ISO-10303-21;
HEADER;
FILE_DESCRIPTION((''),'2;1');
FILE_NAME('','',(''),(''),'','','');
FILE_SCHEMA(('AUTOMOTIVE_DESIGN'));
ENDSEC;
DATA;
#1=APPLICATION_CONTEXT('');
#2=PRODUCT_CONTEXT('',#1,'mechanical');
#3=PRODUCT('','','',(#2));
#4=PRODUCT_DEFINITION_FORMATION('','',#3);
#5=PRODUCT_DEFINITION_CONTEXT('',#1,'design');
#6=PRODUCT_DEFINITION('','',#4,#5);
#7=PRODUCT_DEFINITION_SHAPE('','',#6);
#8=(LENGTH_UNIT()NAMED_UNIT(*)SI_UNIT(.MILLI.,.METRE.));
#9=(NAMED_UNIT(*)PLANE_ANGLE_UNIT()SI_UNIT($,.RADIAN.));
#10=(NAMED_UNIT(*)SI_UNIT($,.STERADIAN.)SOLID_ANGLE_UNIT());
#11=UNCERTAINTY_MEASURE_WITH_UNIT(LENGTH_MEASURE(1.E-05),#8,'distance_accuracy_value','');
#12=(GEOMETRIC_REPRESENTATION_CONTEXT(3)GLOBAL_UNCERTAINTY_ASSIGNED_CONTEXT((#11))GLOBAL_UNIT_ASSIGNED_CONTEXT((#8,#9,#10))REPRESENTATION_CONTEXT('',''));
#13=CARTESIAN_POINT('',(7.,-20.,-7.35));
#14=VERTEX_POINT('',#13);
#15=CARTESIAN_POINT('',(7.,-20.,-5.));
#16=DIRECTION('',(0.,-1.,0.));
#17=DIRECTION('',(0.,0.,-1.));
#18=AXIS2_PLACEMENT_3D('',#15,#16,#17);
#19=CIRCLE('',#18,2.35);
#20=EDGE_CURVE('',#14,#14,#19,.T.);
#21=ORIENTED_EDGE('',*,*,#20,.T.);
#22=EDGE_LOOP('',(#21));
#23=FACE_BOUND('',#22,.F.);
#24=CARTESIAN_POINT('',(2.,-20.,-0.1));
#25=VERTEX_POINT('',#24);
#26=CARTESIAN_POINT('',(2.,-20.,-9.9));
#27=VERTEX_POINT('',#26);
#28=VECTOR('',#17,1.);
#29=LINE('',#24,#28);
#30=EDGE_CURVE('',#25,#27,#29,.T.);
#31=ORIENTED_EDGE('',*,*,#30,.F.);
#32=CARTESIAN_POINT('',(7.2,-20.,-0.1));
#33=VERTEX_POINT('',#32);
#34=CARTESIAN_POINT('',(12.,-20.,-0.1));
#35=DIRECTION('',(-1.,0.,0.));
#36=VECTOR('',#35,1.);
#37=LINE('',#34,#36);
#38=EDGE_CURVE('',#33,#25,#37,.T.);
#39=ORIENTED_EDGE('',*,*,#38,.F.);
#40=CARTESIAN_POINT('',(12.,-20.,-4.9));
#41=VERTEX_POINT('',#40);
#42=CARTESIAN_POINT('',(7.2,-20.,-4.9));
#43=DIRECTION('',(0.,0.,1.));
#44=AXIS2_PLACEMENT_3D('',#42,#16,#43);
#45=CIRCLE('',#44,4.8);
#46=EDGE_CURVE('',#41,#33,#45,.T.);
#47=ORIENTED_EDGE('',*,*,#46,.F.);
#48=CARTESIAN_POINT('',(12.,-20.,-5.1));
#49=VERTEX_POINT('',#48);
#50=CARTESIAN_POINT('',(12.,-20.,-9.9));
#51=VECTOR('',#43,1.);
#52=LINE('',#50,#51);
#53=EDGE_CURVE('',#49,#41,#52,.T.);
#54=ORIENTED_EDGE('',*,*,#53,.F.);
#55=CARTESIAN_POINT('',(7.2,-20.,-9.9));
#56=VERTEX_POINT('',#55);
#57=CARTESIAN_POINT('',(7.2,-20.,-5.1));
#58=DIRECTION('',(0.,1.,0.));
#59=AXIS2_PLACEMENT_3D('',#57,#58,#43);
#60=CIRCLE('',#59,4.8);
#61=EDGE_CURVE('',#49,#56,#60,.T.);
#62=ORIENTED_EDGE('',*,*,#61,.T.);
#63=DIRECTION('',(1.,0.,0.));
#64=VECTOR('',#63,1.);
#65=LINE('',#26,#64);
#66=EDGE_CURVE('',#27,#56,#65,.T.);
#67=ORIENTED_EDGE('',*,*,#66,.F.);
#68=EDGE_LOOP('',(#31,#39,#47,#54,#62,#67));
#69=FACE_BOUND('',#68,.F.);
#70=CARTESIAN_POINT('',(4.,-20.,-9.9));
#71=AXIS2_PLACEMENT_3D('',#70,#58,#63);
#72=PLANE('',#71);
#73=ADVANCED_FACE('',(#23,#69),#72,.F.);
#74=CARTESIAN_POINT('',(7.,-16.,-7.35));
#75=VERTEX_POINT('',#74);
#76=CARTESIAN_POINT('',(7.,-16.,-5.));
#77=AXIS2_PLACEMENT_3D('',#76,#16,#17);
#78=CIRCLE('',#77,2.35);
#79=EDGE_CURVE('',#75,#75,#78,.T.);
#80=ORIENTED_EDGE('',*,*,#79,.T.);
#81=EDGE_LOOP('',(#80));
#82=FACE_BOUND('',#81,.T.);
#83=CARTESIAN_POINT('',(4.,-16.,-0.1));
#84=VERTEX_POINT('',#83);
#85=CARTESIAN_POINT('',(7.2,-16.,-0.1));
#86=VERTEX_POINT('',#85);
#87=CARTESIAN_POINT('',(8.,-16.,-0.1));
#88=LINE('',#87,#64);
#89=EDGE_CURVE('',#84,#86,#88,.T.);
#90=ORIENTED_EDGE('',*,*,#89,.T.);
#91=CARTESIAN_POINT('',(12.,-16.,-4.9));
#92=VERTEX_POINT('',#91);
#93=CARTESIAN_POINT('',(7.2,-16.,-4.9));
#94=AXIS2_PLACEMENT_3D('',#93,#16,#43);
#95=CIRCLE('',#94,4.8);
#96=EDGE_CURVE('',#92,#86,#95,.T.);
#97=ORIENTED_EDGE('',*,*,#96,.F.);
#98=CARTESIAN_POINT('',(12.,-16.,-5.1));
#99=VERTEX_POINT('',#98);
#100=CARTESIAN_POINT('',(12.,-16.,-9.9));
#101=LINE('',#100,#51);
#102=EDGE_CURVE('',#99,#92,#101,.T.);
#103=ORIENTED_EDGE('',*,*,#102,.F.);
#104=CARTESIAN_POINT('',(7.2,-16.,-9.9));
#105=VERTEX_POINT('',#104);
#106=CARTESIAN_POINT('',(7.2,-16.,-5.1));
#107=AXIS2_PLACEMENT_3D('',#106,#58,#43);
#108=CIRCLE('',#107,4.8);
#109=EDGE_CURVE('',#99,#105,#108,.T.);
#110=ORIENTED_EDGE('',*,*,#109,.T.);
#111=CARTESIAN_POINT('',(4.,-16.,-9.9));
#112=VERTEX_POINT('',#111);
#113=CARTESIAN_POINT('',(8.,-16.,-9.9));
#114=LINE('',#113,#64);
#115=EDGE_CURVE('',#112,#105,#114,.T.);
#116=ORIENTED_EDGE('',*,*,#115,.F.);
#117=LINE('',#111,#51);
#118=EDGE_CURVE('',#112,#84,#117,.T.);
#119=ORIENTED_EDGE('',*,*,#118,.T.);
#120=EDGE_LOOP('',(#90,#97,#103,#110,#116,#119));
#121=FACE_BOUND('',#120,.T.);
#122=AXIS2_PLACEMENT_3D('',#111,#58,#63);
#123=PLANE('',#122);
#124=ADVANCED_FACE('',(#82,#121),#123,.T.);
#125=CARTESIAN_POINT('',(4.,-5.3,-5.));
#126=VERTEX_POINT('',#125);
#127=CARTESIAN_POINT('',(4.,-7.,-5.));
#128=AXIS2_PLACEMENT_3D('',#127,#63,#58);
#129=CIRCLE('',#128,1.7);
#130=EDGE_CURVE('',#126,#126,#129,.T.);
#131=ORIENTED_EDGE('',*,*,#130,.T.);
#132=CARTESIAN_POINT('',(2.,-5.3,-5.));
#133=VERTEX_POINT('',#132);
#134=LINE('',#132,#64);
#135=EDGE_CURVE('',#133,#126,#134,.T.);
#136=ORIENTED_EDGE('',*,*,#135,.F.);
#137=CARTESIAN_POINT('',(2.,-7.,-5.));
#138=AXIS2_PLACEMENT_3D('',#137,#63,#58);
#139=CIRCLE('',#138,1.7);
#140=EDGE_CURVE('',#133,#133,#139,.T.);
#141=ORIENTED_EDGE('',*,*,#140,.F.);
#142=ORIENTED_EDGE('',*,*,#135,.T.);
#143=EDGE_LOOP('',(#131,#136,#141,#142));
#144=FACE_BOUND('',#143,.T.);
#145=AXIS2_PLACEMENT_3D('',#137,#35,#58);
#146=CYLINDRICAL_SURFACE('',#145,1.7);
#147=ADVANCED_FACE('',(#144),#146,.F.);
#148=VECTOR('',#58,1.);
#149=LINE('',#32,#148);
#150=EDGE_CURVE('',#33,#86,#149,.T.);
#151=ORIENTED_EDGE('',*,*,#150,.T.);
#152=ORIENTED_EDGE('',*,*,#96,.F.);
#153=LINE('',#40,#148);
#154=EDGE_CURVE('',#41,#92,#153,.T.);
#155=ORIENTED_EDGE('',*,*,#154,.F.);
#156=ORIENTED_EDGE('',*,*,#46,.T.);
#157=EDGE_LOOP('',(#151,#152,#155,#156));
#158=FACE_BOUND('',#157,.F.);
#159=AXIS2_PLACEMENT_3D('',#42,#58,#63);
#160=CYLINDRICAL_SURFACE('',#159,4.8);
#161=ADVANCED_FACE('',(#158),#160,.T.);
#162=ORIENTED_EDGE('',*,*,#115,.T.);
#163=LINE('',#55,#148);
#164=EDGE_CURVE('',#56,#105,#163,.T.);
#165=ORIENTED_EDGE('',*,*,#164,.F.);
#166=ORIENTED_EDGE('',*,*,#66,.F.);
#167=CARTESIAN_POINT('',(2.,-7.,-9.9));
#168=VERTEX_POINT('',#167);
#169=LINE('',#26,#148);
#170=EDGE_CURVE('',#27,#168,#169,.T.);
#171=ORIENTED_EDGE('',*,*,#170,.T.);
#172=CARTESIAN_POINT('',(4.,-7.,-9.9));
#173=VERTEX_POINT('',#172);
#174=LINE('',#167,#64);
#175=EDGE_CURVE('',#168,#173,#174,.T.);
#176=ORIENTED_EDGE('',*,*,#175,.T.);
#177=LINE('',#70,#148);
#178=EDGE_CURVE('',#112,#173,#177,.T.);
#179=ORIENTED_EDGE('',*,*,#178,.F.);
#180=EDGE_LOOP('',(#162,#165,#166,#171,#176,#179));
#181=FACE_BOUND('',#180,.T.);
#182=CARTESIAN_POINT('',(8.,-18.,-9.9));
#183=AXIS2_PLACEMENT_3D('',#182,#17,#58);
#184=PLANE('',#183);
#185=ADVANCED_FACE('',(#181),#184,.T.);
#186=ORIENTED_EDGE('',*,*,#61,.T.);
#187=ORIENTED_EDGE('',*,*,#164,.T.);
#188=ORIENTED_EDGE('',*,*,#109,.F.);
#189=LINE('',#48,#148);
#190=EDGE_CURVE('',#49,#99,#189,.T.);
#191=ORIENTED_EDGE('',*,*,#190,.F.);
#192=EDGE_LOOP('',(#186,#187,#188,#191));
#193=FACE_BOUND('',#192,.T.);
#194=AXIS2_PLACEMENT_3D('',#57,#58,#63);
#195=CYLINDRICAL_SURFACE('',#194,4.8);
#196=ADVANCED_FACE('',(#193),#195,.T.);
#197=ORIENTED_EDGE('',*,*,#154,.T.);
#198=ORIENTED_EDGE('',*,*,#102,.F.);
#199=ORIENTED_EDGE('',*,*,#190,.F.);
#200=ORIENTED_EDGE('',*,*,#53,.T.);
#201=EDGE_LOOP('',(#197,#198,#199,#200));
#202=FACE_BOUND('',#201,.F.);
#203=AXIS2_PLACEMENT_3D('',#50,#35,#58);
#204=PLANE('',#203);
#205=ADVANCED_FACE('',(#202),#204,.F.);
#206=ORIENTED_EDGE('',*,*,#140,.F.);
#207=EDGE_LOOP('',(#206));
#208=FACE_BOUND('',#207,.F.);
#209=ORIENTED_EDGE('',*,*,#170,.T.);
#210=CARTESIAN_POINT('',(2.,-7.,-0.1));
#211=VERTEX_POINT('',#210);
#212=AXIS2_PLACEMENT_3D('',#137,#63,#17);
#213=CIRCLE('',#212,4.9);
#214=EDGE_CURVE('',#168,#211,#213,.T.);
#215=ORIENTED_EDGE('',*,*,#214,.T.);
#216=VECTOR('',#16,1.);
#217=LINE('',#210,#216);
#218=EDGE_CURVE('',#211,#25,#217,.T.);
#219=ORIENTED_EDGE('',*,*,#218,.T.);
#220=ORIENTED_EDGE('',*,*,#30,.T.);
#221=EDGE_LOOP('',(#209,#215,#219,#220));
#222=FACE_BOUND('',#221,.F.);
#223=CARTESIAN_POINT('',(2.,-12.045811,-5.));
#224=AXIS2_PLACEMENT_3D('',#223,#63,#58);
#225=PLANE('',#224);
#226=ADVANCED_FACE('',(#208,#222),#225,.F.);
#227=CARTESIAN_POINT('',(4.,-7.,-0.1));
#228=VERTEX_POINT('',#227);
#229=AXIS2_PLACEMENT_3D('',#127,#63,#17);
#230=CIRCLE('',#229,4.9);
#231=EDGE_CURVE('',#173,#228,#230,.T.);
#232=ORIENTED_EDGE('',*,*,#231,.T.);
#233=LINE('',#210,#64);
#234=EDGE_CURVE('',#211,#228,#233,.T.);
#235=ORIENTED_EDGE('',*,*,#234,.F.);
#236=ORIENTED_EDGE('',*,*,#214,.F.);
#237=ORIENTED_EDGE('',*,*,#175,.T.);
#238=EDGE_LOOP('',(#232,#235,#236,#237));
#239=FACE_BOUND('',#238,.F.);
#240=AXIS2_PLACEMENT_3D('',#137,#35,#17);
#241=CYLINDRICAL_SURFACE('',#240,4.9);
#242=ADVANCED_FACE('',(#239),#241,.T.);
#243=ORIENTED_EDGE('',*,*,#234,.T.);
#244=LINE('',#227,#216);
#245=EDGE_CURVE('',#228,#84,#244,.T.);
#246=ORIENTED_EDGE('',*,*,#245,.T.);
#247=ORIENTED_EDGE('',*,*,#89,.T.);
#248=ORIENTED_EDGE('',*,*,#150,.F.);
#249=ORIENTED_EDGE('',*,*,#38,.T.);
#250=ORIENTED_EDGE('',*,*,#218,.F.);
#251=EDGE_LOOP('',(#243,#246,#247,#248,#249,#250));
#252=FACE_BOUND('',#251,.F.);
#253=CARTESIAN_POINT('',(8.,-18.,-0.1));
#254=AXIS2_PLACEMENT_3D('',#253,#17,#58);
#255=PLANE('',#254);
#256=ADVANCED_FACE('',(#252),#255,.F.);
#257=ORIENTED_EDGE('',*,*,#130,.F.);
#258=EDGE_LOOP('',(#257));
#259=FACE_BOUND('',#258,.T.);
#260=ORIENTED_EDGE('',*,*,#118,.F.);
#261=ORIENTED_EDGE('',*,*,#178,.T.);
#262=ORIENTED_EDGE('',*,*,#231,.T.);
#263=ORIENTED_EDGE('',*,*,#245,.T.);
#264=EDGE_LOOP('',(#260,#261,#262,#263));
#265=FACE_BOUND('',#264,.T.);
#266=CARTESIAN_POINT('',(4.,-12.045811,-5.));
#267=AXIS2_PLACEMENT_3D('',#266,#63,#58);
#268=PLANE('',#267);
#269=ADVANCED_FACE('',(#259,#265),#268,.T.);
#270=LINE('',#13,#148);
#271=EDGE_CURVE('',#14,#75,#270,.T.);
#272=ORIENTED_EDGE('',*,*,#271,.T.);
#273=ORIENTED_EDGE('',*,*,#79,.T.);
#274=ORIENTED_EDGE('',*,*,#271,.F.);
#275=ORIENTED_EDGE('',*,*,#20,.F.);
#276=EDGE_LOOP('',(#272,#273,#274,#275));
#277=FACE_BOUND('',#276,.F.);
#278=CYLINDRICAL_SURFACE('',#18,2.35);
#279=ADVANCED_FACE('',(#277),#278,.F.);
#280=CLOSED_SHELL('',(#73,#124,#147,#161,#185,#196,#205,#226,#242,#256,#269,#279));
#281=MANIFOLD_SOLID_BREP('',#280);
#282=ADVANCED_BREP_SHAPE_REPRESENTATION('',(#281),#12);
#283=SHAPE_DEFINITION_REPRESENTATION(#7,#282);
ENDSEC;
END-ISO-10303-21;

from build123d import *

# Parameters (mm, degrees)
SKETCH004_R     = 1.7
PAD002_DEPTH    = 2
SKETCH005_W     = 4
SKETCH005_H     = 8
PAD003_DEPTH    = 9.8
SKETCH006_R     = 2.35
POCKET001_DEPTH = 5
FILLET001_R     = 4.8


with BuildPart() as part:
    # Sketch004 (on DatumPlane) → Pad002 (new body)
    with BuildSketch(Plane.YZ.offset(2)):
        with BuildLine():
            ThreePointArc((-7, -9.9), (-2.1, -5), (-7, -0.1))
            Line((-7, -0.1), (-20, -0.1))
            Line((-20, -0.1), (-20, -9.9))
            Line((-20, -9.9), (-7, -9.9))
        make_face()
        with Locations((-7, -5)):
            Circle(SKETCH004_R, mode=Mode.SUBTRACT)
    extrude(amount=PAD002_DEPTH)

    # Sketch005 (on Face4 of Pad002) → Pad003 (join)
    with BuildSketch(Plane(origin=(2, 0, -9.9), x_dir=(0, 1, 0), z_dir=(0, 0, -1))):
        with Locations((-18, 6)):
            Rectangle(SKETCH005_W, SKETCH005_H)
    extrude(amount=-PAD003_DEPTH)

    # Sketch006 (on Face9 of Pad003) → Pocket001 (cut)
    with BuildSketch(Plane(origin=(2, -20, 0), x_dir=(0, 0, -1), z_dir=(0, -1, 0))):
        with Locations((5, 5)):
            Circle(SKETCH006_R)
    extrude(amount=-POCKET001_DEPTH, mode=Mode.SUBTRACT)

    # Fillet001
    fillet001_edges = [part.edges().sort_by_distance(p)[0] for p in [
        (12, -18, -0.1),
        (12, -18, -9.9),
    ]]
    fillet(fillet001_edges, radius=FILLET001_R)


solid = part.part
